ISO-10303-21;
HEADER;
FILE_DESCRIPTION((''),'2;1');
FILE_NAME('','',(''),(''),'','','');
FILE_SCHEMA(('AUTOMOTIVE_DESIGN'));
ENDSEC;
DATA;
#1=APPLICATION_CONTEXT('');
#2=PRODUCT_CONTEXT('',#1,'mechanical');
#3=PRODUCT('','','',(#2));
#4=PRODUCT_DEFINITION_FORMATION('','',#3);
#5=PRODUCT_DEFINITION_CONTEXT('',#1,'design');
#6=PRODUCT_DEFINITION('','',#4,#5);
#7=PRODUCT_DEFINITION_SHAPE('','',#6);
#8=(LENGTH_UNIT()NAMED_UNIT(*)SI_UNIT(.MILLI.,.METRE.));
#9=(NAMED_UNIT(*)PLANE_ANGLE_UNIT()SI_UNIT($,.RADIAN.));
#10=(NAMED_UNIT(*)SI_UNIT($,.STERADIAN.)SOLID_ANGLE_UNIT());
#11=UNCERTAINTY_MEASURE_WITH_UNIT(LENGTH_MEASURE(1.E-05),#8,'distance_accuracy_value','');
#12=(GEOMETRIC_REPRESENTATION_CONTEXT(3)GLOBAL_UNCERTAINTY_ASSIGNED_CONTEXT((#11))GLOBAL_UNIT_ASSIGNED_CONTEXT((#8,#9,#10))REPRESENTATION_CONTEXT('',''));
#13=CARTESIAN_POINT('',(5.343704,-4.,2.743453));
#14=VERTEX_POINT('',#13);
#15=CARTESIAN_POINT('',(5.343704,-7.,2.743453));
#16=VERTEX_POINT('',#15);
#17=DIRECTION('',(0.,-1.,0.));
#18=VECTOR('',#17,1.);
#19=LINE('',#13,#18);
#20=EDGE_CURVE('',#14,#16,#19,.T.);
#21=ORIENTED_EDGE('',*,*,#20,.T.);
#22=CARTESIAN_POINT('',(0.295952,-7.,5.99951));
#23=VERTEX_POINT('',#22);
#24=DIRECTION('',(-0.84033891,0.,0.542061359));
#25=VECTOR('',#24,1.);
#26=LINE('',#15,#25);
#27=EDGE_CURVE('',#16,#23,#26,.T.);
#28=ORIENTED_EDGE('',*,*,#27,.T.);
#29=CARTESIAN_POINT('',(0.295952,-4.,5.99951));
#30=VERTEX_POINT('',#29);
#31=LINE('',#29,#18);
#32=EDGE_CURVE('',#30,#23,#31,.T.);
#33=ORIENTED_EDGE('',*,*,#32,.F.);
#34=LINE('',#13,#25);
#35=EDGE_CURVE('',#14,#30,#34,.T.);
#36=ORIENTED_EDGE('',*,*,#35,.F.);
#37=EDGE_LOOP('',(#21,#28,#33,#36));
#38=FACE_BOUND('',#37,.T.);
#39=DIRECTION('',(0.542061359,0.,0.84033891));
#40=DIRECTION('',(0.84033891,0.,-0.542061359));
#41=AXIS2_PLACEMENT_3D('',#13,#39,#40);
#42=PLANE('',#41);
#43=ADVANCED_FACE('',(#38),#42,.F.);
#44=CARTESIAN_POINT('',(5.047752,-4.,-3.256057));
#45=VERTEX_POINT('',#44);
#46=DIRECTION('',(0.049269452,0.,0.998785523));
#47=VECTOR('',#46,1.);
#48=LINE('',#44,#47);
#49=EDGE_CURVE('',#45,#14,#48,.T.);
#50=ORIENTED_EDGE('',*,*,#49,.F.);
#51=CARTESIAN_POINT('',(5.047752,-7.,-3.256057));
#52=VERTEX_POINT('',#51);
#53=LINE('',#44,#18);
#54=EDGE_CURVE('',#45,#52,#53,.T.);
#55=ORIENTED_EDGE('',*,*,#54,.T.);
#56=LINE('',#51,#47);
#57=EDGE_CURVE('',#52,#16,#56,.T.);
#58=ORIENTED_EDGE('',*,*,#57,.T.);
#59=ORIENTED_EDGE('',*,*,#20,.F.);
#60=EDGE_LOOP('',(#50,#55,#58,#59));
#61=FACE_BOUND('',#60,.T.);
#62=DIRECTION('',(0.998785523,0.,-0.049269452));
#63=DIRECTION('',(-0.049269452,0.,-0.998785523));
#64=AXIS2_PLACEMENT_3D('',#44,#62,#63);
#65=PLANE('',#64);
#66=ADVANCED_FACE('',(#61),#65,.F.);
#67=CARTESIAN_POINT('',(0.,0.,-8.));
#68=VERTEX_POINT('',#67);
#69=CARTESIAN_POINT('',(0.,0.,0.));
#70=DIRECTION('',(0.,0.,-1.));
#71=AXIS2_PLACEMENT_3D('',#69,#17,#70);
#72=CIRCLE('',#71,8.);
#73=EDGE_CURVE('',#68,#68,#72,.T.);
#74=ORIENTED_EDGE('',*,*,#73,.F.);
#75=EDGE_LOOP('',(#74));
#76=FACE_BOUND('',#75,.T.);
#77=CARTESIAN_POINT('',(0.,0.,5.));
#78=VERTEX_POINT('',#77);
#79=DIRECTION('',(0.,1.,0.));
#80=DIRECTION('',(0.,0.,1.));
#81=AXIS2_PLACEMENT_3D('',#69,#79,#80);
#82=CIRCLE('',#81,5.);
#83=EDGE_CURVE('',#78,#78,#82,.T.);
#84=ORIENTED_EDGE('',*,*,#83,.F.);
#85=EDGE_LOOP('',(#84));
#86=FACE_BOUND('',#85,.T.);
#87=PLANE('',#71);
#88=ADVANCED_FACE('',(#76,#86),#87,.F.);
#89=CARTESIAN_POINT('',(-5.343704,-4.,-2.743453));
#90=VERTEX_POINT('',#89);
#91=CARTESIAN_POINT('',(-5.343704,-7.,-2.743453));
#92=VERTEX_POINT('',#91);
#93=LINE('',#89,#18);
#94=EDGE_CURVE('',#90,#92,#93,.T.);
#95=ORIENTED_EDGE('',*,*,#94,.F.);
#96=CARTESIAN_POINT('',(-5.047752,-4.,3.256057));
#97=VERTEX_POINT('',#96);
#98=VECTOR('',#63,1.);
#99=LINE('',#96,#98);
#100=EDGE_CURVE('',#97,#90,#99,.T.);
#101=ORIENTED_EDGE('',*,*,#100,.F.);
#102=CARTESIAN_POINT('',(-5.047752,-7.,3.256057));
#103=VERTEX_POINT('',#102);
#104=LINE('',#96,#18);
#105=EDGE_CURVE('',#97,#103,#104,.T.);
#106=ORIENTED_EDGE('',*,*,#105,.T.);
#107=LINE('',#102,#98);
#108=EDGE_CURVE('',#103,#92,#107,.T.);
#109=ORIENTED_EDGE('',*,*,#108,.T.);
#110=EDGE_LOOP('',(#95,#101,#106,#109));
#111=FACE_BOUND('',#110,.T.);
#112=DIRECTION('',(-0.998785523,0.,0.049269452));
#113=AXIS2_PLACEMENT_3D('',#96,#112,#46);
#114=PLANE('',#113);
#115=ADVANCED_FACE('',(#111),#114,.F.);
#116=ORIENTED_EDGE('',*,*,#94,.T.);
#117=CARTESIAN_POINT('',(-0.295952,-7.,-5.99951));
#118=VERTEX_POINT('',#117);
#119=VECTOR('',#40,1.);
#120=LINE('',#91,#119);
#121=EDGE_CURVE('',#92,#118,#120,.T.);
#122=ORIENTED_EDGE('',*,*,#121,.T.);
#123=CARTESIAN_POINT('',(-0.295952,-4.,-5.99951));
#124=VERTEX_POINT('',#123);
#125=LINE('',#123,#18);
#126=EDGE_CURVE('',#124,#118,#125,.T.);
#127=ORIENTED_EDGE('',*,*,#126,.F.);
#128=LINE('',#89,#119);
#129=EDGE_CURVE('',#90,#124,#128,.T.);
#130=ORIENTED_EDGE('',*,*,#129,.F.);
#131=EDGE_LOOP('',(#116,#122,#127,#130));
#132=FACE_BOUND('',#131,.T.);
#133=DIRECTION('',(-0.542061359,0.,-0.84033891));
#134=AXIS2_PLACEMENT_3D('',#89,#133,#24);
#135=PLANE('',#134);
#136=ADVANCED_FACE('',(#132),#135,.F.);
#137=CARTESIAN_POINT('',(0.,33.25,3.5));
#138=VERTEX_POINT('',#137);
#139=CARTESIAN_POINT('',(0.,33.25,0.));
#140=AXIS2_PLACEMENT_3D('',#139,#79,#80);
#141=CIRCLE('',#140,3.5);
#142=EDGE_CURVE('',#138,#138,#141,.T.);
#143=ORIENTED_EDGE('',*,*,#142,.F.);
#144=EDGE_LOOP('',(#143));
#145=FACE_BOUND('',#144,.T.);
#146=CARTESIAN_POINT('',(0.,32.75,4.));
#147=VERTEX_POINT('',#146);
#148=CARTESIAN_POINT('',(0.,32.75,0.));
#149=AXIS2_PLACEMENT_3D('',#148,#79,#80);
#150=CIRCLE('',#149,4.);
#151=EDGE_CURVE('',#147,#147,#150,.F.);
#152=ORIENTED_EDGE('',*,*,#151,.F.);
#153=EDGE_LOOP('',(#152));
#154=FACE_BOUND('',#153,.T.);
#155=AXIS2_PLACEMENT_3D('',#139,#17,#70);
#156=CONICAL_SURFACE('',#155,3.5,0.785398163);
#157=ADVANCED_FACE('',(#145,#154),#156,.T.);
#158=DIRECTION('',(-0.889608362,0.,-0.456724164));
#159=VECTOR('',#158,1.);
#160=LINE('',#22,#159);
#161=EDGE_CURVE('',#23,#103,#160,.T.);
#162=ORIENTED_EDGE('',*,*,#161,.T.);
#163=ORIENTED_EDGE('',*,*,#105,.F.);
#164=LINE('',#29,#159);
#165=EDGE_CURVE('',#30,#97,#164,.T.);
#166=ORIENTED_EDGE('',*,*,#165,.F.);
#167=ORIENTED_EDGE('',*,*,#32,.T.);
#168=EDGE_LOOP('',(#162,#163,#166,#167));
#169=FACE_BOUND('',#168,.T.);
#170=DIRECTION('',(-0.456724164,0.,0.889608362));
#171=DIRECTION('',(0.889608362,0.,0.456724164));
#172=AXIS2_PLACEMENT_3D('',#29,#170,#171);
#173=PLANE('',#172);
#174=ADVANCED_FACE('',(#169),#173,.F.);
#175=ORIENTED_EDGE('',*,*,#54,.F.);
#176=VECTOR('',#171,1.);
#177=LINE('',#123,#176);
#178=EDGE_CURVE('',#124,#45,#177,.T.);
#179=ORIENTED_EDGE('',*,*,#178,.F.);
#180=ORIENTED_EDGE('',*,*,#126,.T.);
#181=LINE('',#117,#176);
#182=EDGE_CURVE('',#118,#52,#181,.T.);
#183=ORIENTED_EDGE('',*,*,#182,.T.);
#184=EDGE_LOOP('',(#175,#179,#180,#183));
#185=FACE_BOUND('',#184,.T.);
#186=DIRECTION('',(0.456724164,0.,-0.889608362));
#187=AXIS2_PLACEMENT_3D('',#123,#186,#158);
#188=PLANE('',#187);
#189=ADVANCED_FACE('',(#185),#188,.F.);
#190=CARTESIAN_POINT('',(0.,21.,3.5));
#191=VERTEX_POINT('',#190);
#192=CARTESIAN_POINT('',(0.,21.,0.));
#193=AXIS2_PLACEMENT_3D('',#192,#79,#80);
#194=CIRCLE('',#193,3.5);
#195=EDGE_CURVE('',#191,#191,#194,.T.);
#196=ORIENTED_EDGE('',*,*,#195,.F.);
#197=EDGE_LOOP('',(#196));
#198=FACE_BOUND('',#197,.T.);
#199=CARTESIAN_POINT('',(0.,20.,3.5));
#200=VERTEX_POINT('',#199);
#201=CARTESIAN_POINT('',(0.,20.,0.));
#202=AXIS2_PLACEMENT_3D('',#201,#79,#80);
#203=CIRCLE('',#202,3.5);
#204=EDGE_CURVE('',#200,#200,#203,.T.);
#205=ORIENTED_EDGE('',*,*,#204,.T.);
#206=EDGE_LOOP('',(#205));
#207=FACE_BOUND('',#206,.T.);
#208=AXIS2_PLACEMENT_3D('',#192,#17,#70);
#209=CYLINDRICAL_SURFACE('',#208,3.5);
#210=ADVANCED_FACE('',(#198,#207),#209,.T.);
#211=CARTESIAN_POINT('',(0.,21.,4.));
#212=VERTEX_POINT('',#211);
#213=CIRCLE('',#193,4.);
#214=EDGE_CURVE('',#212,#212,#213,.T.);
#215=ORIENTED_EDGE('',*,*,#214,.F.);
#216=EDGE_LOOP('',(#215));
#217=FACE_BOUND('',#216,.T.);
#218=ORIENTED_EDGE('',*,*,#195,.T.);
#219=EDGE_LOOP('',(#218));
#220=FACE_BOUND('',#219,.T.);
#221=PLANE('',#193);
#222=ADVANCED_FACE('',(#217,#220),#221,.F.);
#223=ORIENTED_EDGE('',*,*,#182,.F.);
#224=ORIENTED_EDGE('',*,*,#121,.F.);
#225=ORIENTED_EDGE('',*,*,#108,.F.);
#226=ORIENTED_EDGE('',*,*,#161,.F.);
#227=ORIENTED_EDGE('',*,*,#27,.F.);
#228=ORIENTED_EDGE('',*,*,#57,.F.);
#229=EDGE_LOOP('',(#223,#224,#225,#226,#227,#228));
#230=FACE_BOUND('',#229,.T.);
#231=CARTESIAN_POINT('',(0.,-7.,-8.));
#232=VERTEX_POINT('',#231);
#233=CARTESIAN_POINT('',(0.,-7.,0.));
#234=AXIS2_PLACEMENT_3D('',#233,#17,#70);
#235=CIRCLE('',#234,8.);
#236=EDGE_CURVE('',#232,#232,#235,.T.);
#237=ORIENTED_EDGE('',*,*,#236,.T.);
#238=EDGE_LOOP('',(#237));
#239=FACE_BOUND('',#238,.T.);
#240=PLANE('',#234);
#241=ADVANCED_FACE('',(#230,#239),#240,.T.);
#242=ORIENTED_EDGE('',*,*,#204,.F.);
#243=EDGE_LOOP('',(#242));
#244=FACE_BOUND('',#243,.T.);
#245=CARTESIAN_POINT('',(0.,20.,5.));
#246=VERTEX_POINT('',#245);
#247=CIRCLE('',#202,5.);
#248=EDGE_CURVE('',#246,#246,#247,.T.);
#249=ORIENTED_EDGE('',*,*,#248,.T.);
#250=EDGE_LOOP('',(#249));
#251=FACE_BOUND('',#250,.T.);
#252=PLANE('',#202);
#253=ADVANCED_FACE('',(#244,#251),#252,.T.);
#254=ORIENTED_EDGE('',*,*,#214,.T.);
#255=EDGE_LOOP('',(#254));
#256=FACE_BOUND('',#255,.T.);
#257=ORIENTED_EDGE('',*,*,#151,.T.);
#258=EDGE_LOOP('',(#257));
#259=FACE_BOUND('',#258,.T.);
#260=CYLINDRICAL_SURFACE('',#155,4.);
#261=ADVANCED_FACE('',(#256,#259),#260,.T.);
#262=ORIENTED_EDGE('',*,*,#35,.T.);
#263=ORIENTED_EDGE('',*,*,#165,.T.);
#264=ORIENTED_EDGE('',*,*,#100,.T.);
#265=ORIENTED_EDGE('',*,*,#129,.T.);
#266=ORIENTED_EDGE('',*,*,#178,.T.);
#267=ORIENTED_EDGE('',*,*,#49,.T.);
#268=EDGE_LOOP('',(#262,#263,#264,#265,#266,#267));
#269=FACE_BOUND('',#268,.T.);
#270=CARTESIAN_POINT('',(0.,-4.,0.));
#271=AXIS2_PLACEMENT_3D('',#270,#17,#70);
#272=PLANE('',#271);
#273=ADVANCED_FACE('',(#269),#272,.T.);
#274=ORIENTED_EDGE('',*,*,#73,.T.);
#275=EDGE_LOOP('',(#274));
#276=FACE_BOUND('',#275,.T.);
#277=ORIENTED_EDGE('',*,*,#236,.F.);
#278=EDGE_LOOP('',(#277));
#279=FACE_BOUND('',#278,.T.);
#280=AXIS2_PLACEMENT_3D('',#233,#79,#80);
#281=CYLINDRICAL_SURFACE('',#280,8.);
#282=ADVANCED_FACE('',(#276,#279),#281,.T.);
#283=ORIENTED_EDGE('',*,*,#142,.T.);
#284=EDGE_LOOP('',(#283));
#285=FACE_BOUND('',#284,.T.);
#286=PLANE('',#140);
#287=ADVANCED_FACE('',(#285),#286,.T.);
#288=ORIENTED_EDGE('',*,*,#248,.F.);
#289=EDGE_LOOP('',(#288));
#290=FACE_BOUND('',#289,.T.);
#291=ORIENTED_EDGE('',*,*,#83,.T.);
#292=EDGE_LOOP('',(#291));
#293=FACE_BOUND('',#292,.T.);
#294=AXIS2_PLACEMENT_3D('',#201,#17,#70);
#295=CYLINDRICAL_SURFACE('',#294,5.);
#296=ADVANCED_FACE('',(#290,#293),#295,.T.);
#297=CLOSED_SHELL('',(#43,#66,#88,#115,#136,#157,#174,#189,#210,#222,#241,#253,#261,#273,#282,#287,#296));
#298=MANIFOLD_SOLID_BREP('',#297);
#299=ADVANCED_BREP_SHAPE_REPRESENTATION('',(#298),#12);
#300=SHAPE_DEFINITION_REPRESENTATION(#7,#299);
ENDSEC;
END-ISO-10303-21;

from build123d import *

# Parameters (mm, degrees)
SKETCH_2_R          = 5
EXTRUDE_1_DEPTH     = 20
SKETCH_3_R          = 8
EXTRUDE_2_DEPTH     = 7
SKETCH_4_R          = 4
EXTRUDE_3_DEPTH     = 13.25
CUT_EXTRUDE_1_DEPTH = 3
CHAMFER_1_SIZE      = 0.5
SKETCH_6_R          = 4
SKETCH_6_R_2        = 3.5
CUT_EXTRUDE_2_DEPTH = 1


with BuildPart() as part:
    # 草图2 → 凸台-拉伸1 (new body)
    with BuildSketch(Plane(origin=(0, 0, 0), x_dir=(1, 0, 0), z_dir=(0, 1, 0))):
        with Locations(Location((0, 0, 0), (0, 0, 270))):
            Circle(SKETCH_2_R)
    extrude(amount=EXTRUDE_1_DEPTH)

    # 草图3 → 凸台-拉伸2 (add)
    with BuildSketch(Plane.XZ):
        with Locations(Location((0, 0, 0), (0, 0, 270))):
            Circle(SKETCH_3_R)
    extrude(amount=EXTRUDE_2_DEPTH)

    # 草图4 → 凸台-拉伸3 (add)
    with BuildSketch(Plane(origin=(0, 20, 0), x_dir=(1, 0, 0), z_dir=(0, 1, 0))):
        with Locations(Location((0, 0, 0), (0, 0, 270))):
            Circle(SKETCH_4_R)
    extrude(amount=EXTRUDE_3_DEPTH)

    # 草图5 → 切除-拉伸1 (cut)
    with BuildSketch(Plane.XZ.offset(7)):
        Polygon((0.295951976, 5.999509568), (-5.047751708, 3.256056713), (-5.343703684, -2.743452854), (-0.295951976, -5.999509568), (5.047751708, -3.256056713), (5.343703684, 2.743452854), align=None)
    extrude(amount=-CUT_EXTRUDE_1_DEPTH, mode=Mode.SUBTRACT)

    # 倒角1
    chamfer_1_edges = [part.edges().sort_by_distance(p)[0] for p in [
        (0, 33.25, -4),
    ]]
    chamfer(chamfer_1_edges, length=CHAMFER_1_SIZE)

    # 草图6 → 切除-拉伸2 (cut)
    with BuildSketch(Plane(origin=(0, 20, 0), x_dir=(1, 0, 0), z_dir=(0, 1, 0))):
        with Locations(Location((0, 0, 0), (0, 0, 270))):
            Circle(SKETCH_6_R)
        with Locations(Location((0, 0, 0), (0, 0, 270))):
            Circle(SKETCH_6_R_2, mode=Mode.SUBTRACT)
    extrude(amount=CUT_EXTRUDE_2_DEPTH, mode=Mode.SUBTRACT)


solid = part.part
